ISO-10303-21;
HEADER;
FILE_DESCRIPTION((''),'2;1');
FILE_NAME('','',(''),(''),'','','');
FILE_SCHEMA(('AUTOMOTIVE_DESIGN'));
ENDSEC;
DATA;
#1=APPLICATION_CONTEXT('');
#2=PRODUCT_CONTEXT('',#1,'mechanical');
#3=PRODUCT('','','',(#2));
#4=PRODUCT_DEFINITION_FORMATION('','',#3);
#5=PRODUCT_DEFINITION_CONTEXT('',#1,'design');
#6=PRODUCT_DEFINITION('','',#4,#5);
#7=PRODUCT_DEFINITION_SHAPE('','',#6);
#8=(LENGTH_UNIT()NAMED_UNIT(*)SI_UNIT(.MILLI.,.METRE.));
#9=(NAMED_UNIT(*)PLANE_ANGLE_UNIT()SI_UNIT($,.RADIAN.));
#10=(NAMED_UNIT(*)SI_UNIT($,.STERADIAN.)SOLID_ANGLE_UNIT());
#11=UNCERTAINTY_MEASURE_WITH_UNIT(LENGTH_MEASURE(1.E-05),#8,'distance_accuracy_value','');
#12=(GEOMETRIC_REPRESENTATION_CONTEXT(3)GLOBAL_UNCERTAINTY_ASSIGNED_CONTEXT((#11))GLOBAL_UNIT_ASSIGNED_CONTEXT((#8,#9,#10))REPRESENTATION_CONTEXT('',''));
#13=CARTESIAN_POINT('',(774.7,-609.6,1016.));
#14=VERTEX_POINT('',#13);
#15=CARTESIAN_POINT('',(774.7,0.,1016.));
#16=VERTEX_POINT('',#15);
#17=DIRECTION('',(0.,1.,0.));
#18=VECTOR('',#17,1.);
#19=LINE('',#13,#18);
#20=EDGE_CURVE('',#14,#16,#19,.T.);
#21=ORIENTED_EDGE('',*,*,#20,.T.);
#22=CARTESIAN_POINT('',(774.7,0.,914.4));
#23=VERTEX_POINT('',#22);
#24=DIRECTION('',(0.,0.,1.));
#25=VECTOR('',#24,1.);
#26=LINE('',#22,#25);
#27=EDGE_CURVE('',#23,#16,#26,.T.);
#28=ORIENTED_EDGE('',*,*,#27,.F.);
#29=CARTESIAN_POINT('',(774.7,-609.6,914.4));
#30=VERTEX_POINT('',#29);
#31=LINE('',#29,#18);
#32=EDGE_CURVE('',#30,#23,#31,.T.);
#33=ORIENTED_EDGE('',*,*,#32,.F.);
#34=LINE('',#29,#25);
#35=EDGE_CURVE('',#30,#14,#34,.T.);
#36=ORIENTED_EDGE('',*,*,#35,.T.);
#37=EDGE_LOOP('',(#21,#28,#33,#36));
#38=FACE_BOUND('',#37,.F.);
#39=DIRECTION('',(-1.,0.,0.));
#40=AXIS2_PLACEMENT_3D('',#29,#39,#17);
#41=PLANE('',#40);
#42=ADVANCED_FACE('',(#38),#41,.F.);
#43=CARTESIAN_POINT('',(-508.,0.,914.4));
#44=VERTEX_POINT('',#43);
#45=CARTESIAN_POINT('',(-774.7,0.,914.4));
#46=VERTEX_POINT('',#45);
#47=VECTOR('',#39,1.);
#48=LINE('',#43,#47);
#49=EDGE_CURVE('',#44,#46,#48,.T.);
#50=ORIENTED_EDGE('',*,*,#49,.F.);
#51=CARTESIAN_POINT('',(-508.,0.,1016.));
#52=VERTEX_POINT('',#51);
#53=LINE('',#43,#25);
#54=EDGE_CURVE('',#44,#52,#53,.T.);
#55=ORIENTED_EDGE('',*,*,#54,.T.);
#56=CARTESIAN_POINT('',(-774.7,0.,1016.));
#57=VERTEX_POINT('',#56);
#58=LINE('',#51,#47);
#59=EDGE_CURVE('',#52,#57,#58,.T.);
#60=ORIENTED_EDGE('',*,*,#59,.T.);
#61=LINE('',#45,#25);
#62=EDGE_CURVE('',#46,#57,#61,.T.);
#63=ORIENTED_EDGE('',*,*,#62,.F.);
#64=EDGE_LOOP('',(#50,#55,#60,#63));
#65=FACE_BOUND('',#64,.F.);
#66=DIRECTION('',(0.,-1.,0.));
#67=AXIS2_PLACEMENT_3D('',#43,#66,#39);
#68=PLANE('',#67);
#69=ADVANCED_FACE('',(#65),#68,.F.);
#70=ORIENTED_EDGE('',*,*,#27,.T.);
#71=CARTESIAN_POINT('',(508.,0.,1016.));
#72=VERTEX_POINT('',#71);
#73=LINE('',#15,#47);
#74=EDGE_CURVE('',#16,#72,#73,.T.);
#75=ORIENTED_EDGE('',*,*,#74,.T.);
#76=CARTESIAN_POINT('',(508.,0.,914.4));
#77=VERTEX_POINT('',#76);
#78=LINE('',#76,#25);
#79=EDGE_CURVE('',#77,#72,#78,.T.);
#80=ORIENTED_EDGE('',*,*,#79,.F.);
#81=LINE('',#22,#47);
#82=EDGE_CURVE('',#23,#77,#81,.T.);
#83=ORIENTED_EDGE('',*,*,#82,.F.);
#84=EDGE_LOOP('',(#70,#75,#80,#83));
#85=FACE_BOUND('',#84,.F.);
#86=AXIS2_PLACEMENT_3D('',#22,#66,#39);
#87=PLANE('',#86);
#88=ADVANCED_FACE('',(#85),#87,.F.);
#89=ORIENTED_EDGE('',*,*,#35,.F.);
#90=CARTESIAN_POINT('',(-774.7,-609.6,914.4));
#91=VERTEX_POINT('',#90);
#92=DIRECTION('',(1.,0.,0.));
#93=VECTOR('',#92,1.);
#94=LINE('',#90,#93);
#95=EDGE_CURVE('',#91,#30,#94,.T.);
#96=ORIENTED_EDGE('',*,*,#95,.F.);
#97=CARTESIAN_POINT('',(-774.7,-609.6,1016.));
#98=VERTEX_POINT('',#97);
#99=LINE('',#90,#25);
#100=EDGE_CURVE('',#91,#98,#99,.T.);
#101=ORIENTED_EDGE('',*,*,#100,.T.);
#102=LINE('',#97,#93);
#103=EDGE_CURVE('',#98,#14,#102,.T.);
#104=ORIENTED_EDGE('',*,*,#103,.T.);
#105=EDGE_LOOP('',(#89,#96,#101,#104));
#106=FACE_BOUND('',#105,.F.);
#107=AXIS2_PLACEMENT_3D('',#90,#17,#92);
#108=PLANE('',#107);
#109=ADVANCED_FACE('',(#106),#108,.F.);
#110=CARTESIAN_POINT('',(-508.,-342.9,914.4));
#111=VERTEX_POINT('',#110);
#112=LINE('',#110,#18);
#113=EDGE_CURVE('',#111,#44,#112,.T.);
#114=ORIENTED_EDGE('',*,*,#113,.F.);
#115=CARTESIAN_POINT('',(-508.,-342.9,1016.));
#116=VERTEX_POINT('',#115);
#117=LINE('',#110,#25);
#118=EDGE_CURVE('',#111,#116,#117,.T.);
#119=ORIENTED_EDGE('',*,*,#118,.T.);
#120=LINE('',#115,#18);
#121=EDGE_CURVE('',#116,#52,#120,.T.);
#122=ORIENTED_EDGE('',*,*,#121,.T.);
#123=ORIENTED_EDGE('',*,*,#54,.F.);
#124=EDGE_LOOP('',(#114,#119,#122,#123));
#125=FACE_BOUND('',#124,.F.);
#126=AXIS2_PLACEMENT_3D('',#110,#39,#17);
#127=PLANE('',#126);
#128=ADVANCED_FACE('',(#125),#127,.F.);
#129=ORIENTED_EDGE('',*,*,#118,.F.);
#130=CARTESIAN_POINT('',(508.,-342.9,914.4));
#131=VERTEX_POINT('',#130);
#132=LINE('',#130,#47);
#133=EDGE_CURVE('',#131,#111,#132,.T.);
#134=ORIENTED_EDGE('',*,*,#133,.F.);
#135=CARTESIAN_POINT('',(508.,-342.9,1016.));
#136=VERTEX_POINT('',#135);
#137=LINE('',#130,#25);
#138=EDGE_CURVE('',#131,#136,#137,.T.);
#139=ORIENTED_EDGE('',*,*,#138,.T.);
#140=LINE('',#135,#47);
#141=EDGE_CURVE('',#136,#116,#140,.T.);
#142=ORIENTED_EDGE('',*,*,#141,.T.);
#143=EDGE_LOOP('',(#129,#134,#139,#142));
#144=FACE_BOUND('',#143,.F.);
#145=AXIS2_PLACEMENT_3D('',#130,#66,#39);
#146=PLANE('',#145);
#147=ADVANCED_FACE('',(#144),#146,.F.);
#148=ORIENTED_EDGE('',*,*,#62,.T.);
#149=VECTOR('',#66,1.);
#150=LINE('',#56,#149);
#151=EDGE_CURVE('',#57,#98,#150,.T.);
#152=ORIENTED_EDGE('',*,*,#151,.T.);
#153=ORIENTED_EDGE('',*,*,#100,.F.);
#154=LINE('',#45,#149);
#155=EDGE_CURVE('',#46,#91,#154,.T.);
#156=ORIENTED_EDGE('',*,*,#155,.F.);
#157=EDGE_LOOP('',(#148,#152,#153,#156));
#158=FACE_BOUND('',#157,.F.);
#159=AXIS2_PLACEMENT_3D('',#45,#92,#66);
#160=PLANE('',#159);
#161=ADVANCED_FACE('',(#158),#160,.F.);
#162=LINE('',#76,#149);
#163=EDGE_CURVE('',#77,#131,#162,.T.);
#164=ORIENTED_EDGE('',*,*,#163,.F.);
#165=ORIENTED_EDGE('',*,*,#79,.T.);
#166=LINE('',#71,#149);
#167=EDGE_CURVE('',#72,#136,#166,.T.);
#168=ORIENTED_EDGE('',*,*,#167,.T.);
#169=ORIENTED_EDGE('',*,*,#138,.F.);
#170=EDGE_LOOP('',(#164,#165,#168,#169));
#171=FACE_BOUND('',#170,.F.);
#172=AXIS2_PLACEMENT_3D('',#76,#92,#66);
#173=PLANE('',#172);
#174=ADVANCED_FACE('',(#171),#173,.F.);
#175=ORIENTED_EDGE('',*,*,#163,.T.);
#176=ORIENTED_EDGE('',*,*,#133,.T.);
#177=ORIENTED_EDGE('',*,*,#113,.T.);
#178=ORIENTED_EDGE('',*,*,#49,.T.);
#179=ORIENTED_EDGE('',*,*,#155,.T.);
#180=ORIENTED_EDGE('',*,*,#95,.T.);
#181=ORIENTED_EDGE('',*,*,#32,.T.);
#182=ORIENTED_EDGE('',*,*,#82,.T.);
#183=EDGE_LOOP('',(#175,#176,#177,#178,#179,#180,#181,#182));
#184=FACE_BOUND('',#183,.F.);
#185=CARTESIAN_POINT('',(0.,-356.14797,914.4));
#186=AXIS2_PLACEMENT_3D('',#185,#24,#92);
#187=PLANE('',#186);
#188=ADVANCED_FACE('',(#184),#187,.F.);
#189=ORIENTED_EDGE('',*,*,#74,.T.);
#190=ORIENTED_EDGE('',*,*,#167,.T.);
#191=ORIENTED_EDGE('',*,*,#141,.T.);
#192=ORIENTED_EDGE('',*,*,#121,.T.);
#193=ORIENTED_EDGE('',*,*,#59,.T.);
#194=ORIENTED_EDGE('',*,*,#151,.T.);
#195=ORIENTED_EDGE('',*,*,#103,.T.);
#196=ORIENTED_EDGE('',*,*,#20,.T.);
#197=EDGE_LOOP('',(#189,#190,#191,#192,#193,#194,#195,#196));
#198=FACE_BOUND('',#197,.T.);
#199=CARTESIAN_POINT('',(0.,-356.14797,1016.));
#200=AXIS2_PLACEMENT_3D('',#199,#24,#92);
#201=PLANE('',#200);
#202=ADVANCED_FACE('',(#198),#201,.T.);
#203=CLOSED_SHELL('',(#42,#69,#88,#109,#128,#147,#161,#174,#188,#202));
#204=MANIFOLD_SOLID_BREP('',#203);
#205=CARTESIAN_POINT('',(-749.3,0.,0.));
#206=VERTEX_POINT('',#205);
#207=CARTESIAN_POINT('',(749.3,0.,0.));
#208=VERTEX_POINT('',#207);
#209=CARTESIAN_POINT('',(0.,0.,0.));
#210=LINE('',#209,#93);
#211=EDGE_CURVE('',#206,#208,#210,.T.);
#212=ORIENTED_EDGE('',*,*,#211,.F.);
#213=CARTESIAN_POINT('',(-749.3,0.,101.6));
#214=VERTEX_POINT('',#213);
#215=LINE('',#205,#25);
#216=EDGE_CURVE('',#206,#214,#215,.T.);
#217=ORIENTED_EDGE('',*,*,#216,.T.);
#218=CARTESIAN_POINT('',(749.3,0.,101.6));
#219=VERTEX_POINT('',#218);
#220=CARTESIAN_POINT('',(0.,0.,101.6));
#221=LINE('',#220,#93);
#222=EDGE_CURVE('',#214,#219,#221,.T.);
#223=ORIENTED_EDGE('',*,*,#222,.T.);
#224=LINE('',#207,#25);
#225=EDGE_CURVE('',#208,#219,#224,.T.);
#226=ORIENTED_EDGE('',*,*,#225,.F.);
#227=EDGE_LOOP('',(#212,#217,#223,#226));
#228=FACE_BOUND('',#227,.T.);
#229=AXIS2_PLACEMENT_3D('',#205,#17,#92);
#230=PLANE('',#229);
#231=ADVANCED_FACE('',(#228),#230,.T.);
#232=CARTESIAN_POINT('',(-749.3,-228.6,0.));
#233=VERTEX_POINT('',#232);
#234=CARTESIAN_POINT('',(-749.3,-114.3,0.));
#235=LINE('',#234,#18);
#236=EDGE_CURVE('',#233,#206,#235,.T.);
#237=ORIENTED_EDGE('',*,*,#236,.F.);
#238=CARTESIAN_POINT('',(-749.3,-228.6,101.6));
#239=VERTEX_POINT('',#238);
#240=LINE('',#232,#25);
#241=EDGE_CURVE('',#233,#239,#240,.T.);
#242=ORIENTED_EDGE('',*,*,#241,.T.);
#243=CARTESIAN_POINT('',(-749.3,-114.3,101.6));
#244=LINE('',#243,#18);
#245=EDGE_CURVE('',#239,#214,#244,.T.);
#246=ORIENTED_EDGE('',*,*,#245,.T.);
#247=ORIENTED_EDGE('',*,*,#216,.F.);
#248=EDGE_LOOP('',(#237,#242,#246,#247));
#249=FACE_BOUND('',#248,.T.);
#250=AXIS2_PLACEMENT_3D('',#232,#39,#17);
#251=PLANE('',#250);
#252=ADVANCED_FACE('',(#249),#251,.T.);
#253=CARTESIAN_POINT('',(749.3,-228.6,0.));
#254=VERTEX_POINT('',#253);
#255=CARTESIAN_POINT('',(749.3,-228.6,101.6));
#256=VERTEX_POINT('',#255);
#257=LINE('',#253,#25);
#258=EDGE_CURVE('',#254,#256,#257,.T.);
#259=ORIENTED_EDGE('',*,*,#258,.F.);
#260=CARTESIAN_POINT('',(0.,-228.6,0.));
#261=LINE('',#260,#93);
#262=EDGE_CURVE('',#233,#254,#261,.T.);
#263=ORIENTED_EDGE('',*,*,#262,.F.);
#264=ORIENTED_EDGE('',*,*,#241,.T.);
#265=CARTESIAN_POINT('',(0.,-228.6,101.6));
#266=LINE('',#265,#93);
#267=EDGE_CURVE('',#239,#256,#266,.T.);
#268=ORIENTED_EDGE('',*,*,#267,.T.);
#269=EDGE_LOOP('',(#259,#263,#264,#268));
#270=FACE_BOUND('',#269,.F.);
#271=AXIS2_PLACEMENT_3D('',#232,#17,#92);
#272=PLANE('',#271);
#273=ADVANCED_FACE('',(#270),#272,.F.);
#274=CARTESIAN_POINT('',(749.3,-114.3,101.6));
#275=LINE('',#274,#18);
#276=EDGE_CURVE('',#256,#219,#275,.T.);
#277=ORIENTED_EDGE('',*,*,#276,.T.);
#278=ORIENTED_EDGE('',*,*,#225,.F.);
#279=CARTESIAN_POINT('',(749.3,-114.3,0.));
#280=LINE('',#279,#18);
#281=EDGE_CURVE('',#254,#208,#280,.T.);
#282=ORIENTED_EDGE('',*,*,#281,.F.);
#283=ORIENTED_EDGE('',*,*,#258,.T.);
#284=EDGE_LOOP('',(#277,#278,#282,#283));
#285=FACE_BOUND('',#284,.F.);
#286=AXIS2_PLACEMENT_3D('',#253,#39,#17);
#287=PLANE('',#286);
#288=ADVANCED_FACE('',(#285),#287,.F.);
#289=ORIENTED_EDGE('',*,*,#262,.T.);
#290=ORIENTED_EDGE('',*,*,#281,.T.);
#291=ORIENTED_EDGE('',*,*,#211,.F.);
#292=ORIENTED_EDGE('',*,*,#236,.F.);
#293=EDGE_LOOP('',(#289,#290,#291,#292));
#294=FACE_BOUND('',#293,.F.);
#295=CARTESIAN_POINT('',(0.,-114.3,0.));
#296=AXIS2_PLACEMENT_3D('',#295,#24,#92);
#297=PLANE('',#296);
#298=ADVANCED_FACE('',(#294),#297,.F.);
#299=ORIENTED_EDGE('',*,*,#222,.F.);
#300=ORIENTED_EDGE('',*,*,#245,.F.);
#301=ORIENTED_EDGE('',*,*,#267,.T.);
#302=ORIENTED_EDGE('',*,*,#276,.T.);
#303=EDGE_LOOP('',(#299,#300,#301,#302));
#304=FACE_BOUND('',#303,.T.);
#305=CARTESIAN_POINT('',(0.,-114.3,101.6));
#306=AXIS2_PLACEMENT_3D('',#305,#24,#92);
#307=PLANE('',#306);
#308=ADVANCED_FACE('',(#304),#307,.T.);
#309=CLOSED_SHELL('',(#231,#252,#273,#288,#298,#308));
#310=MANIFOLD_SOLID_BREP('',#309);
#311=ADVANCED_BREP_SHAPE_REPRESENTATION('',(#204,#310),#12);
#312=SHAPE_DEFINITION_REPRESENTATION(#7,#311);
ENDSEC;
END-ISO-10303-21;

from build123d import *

# Parameters (mm, degrees)
F0_W     = 1498.6
F0_H     = 228.6
F1_DEPTH = 101.6
F4_DEPTH = 101.6


with BuildPart() as f1:
    # F0 (on Top) → F1 (new body)
    with BuildSketch(Plane.XY):
        with Locations((0, -114.3)):
            Rectangle(F0_W, F0_H)
    extrude(amount=F1_DEPTH)


with BuildPart() as f4:
    # F3 (on offset) → F4 (new body)
    with BuildSketch(Plane.XY.offset(914.4)):
        Polygon((-508, -342.9), (-508, 0), (-774.7, 0), (-774.7, -609.6), (774.7, -609.6), (774.7, 0), (508, 0), (508, -342.9), align=None)
    extrude(amount=F4_DEPTH)


solid = Compound([f1.part, f4.part])
